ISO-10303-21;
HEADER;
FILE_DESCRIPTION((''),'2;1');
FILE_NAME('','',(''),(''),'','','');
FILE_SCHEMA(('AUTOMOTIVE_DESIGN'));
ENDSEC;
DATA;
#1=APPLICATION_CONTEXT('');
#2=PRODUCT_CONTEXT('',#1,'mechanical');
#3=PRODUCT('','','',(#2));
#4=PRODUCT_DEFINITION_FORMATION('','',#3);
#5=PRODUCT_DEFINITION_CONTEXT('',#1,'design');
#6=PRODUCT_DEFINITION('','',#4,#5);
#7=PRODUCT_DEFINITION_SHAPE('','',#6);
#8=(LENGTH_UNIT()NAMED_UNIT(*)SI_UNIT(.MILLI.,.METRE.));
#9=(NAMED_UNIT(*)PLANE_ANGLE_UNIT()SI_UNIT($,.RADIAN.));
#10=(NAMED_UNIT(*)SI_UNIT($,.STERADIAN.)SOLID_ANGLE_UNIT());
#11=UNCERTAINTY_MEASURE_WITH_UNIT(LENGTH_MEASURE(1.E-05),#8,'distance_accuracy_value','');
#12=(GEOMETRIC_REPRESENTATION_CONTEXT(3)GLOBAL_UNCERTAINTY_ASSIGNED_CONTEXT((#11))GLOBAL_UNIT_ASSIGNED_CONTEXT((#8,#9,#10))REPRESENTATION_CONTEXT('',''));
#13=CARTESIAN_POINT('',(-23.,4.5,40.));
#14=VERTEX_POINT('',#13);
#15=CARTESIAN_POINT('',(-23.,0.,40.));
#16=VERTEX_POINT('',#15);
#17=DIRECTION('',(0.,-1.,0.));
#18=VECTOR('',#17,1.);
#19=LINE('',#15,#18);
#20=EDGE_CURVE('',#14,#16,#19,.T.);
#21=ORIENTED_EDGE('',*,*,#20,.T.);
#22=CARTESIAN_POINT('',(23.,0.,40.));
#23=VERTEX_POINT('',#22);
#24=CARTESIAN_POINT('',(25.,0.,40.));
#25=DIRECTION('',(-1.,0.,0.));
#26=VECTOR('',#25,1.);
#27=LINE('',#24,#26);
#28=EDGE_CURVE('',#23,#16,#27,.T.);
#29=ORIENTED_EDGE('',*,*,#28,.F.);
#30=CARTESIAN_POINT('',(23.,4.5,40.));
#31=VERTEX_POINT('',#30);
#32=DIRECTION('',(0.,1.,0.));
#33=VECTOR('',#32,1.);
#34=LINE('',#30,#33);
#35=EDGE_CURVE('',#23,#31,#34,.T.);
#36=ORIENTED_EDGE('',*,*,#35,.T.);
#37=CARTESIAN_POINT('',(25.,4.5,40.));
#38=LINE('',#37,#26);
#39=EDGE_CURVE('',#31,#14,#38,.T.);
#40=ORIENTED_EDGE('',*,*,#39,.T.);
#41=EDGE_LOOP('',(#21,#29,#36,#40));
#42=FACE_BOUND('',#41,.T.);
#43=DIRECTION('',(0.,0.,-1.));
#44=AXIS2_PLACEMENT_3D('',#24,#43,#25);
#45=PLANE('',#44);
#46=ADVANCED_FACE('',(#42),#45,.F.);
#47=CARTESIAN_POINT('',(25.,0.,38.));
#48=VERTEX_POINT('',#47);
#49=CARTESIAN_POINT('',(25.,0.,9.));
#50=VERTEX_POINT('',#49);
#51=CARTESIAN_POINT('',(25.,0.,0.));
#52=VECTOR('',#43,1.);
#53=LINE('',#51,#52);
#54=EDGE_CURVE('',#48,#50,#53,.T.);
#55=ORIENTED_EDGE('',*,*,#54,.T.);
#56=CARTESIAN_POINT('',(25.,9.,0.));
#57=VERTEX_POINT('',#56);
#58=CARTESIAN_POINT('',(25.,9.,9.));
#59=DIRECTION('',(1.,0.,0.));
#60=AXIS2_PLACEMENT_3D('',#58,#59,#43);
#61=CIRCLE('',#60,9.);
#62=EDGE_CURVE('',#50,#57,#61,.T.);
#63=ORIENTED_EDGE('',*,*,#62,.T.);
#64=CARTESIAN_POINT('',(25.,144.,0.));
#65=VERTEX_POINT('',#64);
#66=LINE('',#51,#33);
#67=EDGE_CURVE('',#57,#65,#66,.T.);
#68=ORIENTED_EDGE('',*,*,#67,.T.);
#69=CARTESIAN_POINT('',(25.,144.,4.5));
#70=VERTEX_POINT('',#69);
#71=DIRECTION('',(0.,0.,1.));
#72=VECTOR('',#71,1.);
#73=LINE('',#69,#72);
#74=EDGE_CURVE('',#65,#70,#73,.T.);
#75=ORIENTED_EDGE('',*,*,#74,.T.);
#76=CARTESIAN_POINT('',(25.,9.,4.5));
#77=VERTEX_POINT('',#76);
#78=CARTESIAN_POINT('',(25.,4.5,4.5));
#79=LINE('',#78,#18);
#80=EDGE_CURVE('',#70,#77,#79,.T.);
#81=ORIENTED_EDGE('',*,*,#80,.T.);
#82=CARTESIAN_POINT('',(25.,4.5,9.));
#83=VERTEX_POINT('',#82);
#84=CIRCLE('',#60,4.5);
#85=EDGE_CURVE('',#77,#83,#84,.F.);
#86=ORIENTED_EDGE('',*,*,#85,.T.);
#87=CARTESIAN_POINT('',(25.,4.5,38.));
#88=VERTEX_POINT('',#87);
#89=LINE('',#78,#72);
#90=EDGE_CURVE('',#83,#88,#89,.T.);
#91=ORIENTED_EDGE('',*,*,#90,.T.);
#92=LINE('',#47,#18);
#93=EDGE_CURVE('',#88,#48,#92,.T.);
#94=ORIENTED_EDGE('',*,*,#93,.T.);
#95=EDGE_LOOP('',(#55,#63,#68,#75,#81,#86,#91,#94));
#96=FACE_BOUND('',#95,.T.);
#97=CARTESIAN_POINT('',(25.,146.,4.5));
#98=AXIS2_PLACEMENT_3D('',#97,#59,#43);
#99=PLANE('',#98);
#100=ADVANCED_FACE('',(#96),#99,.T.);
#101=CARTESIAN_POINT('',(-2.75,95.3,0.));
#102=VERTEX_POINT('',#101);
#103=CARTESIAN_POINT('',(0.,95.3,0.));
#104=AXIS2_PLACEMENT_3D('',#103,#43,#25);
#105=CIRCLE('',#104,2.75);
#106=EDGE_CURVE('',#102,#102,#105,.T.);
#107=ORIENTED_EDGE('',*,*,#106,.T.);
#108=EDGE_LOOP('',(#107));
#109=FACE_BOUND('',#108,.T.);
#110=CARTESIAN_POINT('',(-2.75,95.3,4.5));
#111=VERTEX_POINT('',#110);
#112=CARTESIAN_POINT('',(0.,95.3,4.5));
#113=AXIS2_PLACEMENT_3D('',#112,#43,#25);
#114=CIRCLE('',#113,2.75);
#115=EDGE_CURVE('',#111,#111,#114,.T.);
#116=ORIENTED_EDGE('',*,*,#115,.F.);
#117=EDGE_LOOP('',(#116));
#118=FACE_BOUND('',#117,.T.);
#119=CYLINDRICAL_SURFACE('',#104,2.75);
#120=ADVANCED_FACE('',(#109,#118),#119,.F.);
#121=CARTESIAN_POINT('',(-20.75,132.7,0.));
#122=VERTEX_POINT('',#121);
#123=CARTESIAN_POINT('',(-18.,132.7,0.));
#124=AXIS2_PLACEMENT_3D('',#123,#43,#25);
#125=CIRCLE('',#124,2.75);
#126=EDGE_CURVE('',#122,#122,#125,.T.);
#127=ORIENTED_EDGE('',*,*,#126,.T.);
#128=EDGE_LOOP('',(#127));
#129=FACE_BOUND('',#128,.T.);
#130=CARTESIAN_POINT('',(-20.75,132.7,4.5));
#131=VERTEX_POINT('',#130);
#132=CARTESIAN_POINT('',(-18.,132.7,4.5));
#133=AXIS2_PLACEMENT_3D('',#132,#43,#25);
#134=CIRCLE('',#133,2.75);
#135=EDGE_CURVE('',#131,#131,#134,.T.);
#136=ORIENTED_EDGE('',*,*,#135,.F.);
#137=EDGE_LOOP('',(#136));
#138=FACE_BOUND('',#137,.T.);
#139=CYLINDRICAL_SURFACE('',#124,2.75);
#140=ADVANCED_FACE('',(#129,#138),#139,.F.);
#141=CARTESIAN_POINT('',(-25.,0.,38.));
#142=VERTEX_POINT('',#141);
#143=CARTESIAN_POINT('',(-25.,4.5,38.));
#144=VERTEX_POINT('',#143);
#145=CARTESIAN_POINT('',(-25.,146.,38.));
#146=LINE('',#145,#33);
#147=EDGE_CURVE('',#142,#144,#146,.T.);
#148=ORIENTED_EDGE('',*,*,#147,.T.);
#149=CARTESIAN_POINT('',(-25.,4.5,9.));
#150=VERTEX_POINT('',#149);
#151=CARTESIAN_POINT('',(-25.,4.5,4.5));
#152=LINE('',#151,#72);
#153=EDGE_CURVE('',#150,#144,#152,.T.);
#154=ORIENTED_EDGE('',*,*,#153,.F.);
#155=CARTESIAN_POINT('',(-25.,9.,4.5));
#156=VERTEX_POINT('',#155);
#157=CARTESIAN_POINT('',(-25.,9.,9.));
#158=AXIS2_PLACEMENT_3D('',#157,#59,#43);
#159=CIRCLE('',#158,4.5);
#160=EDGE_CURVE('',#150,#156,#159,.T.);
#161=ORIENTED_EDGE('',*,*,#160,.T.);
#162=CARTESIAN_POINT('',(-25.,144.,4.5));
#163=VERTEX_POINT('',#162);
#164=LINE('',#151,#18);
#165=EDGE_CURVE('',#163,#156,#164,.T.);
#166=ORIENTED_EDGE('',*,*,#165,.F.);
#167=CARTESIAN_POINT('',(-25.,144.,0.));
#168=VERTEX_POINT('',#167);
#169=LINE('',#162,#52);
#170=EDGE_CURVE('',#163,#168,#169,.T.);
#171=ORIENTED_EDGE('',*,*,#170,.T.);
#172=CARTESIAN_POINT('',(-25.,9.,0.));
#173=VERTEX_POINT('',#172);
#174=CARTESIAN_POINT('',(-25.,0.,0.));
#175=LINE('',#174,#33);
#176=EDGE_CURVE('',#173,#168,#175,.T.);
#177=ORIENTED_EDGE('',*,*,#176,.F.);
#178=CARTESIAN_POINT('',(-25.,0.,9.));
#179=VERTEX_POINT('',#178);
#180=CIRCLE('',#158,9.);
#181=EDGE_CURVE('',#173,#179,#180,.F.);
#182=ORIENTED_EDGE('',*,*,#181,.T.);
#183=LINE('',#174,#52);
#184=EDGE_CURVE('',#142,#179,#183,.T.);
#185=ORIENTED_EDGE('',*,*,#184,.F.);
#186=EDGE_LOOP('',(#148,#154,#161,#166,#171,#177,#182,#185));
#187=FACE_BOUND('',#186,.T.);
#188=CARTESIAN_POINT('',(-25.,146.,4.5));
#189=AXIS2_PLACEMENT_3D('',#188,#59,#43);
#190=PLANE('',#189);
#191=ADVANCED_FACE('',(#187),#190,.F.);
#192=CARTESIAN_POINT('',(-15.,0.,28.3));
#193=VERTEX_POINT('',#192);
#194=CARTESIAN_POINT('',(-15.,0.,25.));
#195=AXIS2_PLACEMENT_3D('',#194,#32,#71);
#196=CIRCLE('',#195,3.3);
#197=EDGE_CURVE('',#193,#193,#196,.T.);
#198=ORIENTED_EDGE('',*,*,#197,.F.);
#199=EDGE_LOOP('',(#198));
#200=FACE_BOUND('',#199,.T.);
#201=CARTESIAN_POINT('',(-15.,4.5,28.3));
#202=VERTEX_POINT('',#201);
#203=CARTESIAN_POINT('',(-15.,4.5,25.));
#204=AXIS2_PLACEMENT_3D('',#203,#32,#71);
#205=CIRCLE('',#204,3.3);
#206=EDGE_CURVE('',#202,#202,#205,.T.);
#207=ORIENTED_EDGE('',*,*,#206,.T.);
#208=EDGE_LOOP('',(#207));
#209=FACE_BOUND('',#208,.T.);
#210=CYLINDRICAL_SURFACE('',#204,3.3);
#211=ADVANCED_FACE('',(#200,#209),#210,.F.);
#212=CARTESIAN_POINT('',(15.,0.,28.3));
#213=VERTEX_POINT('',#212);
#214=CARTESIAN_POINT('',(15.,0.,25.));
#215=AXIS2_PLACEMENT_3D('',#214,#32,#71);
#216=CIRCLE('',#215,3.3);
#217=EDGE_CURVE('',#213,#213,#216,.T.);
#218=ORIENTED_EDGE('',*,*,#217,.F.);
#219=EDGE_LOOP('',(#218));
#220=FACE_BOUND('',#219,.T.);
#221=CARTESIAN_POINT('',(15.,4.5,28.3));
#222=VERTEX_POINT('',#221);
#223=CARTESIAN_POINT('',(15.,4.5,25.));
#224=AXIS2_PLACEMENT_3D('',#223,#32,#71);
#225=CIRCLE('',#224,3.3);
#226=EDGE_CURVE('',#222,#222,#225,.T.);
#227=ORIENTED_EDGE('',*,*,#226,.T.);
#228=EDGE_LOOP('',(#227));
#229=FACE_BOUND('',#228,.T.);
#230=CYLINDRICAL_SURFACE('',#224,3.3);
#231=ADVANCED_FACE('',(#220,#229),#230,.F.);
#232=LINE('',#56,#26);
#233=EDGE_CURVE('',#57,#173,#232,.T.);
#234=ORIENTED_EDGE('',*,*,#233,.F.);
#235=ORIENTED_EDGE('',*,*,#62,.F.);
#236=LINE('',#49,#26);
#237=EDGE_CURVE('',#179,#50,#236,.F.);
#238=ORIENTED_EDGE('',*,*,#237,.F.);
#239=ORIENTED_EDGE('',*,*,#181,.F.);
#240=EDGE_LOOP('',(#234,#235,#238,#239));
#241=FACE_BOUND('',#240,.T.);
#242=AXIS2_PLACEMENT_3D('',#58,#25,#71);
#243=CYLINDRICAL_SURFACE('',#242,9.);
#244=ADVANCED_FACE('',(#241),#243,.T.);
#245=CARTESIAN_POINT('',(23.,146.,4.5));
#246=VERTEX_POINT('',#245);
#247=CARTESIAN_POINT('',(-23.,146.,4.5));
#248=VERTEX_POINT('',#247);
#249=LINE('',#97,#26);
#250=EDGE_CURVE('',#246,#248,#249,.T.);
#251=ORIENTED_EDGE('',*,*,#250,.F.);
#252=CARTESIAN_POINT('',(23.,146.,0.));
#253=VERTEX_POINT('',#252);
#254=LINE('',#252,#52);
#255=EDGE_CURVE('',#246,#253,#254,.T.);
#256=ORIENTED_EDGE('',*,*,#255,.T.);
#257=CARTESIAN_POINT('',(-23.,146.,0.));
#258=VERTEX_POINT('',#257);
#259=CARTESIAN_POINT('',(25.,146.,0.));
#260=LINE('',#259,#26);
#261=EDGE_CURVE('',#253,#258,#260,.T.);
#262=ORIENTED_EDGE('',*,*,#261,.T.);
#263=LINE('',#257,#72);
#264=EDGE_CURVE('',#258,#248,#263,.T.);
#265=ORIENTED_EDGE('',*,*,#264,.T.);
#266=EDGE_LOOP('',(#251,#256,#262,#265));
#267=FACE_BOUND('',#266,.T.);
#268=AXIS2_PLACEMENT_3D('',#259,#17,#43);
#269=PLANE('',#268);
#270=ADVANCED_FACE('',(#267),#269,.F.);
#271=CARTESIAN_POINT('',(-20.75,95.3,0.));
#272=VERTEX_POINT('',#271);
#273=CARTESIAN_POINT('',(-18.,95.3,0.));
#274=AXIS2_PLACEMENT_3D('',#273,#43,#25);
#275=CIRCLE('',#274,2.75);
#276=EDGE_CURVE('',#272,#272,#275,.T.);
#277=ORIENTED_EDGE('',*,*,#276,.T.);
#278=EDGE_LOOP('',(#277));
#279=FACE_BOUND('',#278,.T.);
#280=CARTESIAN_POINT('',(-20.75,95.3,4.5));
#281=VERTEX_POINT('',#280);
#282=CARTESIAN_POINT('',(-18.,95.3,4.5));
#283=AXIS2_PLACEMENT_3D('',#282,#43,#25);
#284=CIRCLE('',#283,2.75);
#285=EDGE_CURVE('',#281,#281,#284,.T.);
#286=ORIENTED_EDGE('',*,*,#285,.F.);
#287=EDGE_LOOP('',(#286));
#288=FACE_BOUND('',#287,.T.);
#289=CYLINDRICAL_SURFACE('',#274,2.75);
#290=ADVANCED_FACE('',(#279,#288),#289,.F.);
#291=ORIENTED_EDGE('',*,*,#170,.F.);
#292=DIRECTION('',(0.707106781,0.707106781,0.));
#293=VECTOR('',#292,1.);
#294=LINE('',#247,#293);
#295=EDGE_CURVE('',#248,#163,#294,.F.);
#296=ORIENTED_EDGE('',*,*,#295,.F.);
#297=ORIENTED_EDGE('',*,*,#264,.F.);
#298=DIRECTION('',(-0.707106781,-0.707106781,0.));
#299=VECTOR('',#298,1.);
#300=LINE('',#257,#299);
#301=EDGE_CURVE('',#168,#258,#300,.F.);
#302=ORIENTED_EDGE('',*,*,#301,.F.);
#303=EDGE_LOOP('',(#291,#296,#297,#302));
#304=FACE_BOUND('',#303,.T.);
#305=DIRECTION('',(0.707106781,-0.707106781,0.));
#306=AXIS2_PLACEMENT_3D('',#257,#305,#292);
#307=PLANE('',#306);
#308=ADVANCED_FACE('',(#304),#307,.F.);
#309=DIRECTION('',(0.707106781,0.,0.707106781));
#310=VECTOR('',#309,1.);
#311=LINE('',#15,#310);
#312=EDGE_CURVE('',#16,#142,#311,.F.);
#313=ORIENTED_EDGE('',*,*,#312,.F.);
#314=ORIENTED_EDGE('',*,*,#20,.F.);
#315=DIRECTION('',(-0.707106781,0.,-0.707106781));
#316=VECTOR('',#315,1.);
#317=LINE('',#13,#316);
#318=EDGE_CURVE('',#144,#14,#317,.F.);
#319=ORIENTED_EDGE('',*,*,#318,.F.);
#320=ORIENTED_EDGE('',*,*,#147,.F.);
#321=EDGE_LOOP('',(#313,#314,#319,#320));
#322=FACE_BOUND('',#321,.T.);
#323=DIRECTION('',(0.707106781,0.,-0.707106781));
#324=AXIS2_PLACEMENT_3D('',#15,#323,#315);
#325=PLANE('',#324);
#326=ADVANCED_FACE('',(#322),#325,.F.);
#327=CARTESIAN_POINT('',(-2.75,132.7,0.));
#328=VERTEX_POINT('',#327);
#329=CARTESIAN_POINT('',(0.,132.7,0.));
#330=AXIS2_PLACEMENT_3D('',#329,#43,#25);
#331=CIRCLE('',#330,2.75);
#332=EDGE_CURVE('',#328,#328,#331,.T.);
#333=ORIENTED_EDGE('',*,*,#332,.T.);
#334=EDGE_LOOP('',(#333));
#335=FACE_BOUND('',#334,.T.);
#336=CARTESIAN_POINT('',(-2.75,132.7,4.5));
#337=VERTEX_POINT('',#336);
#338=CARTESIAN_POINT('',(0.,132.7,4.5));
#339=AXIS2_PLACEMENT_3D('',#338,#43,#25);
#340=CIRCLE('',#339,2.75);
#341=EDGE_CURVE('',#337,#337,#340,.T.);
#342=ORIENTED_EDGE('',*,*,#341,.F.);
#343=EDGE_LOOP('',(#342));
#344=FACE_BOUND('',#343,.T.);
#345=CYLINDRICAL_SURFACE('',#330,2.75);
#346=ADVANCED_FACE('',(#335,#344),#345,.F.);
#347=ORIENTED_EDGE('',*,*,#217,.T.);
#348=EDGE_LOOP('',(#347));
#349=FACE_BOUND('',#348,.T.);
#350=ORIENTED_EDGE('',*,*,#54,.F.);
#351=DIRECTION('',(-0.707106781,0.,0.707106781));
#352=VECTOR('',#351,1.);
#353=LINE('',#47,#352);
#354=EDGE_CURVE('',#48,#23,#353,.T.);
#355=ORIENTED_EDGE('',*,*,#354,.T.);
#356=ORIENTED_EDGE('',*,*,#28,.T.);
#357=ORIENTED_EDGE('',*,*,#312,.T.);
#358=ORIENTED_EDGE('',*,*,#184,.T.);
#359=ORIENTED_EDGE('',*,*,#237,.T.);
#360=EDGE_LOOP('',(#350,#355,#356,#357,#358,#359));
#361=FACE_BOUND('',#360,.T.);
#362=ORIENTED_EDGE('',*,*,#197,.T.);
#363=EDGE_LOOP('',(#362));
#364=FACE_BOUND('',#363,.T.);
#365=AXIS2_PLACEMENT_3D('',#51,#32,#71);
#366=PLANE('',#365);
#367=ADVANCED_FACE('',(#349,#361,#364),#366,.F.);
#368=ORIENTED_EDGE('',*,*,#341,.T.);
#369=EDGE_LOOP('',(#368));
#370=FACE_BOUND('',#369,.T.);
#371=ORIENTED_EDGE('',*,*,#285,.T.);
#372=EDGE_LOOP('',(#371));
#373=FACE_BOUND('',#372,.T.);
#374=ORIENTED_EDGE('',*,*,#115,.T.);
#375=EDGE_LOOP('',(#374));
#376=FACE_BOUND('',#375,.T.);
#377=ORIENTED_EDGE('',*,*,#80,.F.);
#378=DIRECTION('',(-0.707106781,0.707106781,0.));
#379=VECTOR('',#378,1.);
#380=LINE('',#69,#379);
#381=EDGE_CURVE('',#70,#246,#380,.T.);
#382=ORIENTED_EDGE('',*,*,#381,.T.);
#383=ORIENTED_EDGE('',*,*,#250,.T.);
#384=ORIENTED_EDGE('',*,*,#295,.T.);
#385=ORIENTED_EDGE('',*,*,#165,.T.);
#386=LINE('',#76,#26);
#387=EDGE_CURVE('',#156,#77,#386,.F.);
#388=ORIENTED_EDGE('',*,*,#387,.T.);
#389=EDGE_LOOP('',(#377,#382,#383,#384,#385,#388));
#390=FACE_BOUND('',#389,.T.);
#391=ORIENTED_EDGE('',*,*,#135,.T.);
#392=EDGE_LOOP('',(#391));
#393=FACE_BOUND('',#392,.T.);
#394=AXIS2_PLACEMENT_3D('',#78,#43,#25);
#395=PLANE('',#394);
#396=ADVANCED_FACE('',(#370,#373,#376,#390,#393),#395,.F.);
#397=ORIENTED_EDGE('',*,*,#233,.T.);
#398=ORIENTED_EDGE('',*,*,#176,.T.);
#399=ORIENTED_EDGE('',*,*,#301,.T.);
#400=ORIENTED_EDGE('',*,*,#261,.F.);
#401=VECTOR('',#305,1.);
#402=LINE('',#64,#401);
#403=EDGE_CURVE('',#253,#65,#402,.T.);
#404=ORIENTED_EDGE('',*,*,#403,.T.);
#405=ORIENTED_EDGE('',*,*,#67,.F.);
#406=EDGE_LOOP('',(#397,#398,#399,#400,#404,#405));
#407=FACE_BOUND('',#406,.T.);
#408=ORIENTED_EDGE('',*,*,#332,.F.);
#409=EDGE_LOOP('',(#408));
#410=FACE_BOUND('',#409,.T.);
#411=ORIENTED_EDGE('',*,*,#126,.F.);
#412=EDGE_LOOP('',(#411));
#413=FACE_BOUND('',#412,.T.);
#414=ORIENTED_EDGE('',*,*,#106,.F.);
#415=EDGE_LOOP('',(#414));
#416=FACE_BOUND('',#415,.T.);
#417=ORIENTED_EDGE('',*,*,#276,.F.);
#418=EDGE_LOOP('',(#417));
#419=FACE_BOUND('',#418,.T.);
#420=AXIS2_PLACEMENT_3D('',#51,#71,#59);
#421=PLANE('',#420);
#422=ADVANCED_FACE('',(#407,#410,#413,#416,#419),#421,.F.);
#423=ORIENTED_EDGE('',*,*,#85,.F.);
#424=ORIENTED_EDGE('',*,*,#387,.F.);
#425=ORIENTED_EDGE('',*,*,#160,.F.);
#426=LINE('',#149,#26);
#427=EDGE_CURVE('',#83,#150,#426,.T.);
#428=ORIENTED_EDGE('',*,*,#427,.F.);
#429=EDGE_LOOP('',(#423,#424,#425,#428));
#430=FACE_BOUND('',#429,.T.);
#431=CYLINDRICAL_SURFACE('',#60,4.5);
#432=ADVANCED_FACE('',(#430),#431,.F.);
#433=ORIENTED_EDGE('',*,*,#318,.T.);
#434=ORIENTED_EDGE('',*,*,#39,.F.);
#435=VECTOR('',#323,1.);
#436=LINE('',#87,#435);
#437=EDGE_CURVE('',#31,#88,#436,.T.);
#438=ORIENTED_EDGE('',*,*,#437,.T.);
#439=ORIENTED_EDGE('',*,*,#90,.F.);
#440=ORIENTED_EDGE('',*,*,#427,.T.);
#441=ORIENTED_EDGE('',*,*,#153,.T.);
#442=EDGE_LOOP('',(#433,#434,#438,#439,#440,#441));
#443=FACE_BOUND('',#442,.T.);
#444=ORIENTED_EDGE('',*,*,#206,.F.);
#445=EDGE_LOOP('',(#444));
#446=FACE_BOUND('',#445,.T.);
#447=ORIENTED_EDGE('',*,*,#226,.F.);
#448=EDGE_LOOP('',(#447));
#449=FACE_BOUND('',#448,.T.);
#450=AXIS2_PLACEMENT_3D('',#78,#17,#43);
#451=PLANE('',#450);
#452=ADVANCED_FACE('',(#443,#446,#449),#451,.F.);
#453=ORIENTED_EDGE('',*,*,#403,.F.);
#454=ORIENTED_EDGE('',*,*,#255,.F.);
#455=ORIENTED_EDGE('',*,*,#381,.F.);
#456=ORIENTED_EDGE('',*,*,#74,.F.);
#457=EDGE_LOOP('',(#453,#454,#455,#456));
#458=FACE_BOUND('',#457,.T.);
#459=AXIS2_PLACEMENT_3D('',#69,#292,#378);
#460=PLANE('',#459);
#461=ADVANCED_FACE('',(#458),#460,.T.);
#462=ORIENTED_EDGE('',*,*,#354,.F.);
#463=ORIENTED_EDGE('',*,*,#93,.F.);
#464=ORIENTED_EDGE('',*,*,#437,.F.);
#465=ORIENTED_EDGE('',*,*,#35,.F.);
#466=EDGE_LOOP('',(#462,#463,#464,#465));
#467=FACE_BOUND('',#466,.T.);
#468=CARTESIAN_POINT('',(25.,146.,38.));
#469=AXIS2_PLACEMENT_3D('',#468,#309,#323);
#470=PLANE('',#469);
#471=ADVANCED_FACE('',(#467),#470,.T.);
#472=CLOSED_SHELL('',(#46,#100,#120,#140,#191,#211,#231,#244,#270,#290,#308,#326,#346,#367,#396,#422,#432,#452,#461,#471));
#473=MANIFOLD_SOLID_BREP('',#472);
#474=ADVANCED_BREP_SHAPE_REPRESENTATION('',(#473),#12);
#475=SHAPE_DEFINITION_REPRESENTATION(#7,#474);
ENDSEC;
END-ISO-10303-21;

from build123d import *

# Parameters (mm, degrees)
BOSS_EXTRUDE1_DEPTH  = 25
FILLET1_R            = 4.5
FILLET2_R            = 9
M6_CLEARANCE_HOLE1_D = 6.6
M5_CLEARANCE_HOLE1_D = 5.5
CHAMFER1_SIZE        = 2


with BuildPart() as part:
    # Sketch1 → Boss-Extrude1 (new body, symmetric)
    with BuildSketch(Plane(origin=(0, 0, 0), x_dir=(0, 0, -1), z_dir=(1, 0, 0))):
        Polygon((0, 0), (-40, 0), (-40, 4.5), (-4.5, 4.5), (-4.5, 146), (0, 146), align=None)
    extrude(amount=BOSS_EXTRUDE1_DEPTH, both=True)

    # Fillet1
    fillet1_edges = [part.edges().sort_by_distance(p)[0] for p in [
        (0, 4.5, 4.5),
    ]]
    fillet(fillet1_edges, radius=FILLET1_R)

    # Fillet2
    fillet2_edges = [part.edges().sort_by_distance(p)[0] for p in [
        (0, 0, 0),
    ]]
    fillet(fillet2_edges, radius=FILLET2_R)

    # M6 Clearance Hole1 (through all)
    with Locations(Plane(origin=(0, 4.5, 0), x_dir=(-1, 0, 0), z_dir=(0, 1, 0))):
        with Locations((15, 25), (-15, 25)):
            Hole(M6_CLEARANCE_HOLE1_D / 2)

    # M5 Clearance Hole1 (through all)
    with Locations(Plane(origin=(0, 0, 0), x_dir=(-1, 0, 0), z_dir=(0, 0, -1))):
        with Locations((18, 132.7), (0, 132.7), (0, 95.3), (18, 95.3)):
            Hole(M5_CLEARANCE_HOLE1_D / 2)

    # Chamfer1
    chamfer1_edges = [part.edges().sort_by_distance(p)[0] for p in [
        (25, 2.25, 40),
        (25, 146, 2.25),
        (-25, 146, 2.25),
        (-25, 2.25, 40),
    ]]
    chamfer(chamfer1_edges, length=CHAMFER1_SIZE)


solid = part.part
